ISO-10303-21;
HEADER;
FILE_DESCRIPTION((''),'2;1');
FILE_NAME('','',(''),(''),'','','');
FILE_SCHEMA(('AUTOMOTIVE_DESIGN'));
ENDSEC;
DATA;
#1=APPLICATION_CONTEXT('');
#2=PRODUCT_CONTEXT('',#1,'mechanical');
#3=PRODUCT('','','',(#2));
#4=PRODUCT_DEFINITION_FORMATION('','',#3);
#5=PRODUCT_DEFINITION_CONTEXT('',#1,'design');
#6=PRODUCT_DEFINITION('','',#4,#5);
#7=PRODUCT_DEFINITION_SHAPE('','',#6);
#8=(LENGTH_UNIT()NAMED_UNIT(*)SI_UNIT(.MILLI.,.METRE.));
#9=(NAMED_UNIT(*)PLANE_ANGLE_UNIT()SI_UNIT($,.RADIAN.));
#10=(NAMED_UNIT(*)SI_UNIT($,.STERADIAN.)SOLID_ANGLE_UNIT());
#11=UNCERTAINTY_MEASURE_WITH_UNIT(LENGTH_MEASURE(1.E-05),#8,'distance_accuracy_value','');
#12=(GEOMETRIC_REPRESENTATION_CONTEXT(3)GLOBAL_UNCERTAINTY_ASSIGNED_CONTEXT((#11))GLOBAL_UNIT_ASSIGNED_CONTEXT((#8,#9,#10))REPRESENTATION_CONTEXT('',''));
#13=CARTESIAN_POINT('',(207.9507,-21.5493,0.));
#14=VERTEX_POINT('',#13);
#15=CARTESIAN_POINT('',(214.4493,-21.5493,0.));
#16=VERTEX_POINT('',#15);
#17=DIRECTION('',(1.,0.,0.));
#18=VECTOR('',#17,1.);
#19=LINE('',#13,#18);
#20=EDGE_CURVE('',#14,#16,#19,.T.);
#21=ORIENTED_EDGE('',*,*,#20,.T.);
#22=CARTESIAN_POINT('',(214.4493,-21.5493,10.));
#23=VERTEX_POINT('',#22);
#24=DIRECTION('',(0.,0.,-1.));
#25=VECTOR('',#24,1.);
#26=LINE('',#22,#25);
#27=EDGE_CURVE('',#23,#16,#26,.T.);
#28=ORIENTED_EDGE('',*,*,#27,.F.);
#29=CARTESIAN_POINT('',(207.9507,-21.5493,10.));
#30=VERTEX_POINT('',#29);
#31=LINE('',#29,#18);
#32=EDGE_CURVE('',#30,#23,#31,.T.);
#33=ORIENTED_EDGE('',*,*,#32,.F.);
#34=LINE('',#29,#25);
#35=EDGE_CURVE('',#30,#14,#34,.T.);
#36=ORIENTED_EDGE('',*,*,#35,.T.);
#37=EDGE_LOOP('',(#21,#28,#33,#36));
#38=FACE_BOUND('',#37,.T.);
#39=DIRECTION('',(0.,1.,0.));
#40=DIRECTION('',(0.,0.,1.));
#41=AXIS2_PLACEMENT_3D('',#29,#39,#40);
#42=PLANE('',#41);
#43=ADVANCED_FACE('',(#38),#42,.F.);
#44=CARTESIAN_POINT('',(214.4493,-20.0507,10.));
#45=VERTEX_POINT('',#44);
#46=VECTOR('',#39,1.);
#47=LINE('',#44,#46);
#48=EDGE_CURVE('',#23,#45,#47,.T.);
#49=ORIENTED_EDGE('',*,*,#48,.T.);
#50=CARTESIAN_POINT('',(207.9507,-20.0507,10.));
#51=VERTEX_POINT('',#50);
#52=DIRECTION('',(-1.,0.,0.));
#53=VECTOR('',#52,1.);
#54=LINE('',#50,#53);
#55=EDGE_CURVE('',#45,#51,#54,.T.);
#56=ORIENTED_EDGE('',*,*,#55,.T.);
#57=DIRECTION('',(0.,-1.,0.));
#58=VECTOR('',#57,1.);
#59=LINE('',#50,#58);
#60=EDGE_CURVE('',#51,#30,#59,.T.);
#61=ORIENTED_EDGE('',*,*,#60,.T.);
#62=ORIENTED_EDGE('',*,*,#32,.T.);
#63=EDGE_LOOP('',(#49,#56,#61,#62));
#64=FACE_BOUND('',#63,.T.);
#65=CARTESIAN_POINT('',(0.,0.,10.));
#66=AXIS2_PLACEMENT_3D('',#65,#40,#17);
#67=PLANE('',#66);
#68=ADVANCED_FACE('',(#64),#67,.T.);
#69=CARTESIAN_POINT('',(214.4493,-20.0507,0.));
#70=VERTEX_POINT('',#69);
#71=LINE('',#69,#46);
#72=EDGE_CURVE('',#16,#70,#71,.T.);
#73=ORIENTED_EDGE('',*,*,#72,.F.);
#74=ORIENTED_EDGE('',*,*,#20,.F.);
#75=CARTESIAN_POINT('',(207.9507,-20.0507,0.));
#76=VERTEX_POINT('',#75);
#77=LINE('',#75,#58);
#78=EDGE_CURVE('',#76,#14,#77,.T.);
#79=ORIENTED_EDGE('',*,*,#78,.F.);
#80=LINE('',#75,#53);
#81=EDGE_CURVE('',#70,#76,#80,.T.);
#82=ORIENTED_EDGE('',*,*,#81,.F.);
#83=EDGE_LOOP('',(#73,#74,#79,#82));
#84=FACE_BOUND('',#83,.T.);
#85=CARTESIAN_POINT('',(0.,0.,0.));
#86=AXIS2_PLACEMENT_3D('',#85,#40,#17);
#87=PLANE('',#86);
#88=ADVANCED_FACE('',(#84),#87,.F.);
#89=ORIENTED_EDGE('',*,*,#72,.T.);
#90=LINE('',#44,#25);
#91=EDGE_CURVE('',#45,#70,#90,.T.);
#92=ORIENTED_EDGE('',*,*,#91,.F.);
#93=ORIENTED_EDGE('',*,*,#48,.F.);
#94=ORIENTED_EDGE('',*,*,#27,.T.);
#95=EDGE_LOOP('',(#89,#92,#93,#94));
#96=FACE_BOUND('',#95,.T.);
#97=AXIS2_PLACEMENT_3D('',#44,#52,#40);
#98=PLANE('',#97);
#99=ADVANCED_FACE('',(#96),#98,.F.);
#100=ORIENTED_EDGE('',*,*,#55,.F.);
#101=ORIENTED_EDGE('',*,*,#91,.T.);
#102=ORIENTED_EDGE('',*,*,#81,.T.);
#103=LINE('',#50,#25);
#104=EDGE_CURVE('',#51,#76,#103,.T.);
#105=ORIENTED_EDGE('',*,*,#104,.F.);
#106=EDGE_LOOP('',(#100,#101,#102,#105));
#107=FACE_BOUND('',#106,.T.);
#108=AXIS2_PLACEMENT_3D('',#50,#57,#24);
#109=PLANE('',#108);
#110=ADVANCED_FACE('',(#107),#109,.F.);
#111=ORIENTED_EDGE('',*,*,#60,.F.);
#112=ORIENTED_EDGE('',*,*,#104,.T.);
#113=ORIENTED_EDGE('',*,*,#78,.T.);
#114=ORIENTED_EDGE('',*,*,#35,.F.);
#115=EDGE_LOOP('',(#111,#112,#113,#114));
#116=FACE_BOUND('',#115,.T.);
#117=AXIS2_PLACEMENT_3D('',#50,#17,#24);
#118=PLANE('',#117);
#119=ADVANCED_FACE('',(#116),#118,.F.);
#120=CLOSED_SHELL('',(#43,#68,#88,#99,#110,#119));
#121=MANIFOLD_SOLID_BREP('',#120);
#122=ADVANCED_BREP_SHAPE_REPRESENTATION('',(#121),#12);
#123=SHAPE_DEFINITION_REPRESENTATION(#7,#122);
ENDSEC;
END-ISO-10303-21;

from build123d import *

# Parameters (mm, degrees)
SKIZZE1_W                       = 6.4986
SKIZZE1_H                       = 1.4986
AUFSATZ_LINEAR_AUSTRAGEN1_DEPTH = 10


with BuildPart() as part:
    # Skizze1 → Aufsatz-Linear austragen1 (new body)
    with BuildSketch(Plane.XY):
        with Locations((211.2, -20.8)):
            Rectangle(SKIZZE1_W, SKIZZE1_H)
    extrude(amount=AUFSATZ_LINEAR_AUSTRAGEN1_DEPTH)


solid = part.part
